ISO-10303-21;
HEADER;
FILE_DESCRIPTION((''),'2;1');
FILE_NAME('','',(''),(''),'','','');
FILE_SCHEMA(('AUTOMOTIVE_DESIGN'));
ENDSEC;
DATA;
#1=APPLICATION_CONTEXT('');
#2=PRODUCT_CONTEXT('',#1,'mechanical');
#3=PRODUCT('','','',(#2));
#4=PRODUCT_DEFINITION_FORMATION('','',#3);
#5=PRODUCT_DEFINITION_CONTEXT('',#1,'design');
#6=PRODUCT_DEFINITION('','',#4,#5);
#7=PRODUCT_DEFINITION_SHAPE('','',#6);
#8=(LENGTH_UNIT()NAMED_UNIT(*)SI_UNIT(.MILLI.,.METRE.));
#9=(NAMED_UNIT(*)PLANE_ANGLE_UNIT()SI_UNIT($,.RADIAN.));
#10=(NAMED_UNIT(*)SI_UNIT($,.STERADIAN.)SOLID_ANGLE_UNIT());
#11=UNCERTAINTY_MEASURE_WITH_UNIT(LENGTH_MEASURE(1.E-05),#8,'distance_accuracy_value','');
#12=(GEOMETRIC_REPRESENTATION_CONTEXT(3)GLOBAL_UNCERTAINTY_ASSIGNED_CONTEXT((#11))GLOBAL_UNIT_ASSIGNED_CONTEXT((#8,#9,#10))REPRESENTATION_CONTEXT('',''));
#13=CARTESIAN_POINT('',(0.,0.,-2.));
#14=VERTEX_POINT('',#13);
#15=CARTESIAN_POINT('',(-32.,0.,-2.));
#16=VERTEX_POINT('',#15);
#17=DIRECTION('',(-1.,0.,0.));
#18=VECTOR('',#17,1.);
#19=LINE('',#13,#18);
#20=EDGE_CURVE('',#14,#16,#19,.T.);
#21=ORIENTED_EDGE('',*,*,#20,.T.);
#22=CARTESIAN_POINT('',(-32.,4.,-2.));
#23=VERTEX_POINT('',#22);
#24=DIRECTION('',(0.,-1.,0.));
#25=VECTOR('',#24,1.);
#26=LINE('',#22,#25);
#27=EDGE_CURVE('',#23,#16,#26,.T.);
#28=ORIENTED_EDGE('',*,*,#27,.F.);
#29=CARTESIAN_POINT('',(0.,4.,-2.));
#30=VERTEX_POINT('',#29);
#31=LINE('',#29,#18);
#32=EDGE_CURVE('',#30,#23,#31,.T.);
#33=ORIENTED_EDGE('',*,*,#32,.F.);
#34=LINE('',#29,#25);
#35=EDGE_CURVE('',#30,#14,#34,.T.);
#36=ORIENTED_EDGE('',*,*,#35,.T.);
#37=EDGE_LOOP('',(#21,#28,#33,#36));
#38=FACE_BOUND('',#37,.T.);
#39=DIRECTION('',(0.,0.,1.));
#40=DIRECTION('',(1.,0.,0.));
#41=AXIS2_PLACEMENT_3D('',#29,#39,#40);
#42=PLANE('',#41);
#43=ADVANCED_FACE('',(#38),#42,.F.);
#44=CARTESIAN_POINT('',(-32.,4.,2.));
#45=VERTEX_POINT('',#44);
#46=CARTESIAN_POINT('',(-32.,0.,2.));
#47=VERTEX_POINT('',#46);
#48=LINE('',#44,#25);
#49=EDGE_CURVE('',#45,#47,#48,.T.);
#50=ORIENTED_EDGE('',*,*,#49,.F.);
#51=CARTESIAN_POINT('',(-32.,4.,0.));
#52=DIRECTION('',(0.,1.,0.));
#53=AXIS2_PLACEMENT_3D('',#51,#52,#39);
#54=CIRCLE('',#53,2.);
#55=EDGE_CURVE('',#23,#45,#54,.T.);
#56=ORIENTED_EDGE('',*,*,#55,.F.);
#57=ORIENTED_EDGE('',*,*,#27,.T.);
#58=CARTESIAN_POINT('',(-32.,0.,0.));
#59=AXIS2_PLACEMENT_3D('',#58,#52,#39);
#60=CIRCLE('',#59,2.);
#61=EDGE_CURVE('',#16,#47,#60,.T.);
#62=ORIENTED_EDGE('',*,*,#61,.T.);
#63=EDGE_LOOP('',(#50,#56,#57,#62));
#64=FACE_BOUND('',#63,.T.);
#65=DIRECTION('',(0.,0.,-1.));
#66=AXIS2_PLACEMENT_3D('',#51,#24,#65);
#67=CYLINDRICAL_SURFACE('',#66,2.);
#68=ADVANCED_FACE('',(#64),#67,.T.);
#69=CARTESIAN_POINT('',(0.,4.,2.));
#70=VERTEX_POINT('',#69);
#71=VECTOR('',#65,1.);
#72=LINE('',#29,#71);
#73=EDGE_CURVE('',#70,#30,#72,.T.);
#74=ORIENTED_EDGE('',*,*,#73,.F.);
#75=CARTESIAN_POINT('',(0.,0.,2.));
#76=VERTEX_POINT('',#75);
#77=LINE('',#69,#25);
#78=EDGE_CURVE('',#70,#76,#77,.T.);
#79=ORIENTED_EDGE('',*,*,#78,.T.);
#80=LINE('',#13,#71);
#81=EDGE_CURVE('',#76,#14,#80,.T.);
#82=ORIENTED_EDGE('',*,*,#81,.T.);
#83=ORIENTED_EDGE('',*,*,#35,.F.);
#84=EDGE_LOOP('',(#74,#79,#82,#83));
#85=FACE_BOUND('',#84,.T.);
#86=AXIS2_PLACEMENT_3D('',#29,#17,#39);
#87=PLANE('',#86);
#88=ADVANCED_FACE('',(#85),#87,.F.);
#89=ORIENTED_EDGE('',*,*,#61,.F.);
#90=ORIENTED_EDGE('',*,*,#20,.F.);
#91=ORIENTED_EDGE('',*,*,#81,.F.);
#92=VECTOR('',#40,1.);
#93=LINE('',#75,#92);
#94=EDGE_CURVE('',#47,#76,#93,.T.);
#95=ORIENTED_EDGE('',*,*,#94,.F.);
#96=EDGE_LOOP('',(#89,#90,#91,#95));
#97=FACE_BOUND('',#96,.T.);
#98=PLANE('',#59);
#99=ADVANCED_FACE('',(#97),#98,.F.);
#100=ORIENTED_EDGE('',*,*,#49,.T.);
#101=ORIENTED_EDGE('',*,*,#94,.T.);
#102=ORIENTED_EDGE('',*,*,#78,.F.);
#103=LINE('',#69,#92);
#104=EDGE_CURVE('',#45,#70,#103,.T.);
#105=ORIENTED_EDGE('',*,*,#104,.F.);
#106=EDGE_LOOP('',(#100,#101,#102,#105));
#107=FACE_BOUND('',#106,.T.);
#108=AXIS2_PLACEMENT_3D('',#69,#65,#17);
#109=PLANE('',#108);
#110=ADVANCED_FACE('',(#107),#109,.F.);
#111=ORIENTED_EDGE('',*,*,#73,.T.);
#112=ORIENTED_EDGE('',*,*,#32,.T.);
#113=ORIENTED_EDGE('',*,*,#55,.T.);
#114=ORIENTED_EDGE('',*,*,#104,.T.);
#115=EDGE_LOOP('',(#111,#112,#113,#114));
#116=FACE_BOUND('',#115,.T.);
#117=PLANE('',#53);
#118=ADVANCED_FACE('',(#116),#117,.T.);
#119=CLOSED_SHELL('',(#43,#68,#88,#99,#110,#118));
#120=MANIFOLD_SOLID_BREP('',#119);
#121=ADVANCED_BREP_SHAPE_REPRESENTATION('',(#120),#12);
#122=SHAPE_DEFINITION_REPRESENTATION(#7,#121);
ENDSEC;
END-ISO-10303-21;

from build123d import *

# Parameters (mm, degrees)
BOSS_EXTRUDE1_DEPTH = 4


with BuildPart() as part:
    # Sketch1 → Boss-Extrude1 (new body)
    with BuildSketch(Plane(origin=(0, 0, 0), x_dir=(1, 0, 0), z_dir=(0, 1, 0))):
        with BuildLine():
            Line((0, 2), (-32, 2))
            ThreePointArc((-32, 2), (-34, 0), (-32, -2))
            Line((-32, -2), (0, -2))
            Line((0, -2), (0, 2))
        make_face()
    extrude(amount=BOSS_EXTRUDE1_DEPTH)


solid = part.part
